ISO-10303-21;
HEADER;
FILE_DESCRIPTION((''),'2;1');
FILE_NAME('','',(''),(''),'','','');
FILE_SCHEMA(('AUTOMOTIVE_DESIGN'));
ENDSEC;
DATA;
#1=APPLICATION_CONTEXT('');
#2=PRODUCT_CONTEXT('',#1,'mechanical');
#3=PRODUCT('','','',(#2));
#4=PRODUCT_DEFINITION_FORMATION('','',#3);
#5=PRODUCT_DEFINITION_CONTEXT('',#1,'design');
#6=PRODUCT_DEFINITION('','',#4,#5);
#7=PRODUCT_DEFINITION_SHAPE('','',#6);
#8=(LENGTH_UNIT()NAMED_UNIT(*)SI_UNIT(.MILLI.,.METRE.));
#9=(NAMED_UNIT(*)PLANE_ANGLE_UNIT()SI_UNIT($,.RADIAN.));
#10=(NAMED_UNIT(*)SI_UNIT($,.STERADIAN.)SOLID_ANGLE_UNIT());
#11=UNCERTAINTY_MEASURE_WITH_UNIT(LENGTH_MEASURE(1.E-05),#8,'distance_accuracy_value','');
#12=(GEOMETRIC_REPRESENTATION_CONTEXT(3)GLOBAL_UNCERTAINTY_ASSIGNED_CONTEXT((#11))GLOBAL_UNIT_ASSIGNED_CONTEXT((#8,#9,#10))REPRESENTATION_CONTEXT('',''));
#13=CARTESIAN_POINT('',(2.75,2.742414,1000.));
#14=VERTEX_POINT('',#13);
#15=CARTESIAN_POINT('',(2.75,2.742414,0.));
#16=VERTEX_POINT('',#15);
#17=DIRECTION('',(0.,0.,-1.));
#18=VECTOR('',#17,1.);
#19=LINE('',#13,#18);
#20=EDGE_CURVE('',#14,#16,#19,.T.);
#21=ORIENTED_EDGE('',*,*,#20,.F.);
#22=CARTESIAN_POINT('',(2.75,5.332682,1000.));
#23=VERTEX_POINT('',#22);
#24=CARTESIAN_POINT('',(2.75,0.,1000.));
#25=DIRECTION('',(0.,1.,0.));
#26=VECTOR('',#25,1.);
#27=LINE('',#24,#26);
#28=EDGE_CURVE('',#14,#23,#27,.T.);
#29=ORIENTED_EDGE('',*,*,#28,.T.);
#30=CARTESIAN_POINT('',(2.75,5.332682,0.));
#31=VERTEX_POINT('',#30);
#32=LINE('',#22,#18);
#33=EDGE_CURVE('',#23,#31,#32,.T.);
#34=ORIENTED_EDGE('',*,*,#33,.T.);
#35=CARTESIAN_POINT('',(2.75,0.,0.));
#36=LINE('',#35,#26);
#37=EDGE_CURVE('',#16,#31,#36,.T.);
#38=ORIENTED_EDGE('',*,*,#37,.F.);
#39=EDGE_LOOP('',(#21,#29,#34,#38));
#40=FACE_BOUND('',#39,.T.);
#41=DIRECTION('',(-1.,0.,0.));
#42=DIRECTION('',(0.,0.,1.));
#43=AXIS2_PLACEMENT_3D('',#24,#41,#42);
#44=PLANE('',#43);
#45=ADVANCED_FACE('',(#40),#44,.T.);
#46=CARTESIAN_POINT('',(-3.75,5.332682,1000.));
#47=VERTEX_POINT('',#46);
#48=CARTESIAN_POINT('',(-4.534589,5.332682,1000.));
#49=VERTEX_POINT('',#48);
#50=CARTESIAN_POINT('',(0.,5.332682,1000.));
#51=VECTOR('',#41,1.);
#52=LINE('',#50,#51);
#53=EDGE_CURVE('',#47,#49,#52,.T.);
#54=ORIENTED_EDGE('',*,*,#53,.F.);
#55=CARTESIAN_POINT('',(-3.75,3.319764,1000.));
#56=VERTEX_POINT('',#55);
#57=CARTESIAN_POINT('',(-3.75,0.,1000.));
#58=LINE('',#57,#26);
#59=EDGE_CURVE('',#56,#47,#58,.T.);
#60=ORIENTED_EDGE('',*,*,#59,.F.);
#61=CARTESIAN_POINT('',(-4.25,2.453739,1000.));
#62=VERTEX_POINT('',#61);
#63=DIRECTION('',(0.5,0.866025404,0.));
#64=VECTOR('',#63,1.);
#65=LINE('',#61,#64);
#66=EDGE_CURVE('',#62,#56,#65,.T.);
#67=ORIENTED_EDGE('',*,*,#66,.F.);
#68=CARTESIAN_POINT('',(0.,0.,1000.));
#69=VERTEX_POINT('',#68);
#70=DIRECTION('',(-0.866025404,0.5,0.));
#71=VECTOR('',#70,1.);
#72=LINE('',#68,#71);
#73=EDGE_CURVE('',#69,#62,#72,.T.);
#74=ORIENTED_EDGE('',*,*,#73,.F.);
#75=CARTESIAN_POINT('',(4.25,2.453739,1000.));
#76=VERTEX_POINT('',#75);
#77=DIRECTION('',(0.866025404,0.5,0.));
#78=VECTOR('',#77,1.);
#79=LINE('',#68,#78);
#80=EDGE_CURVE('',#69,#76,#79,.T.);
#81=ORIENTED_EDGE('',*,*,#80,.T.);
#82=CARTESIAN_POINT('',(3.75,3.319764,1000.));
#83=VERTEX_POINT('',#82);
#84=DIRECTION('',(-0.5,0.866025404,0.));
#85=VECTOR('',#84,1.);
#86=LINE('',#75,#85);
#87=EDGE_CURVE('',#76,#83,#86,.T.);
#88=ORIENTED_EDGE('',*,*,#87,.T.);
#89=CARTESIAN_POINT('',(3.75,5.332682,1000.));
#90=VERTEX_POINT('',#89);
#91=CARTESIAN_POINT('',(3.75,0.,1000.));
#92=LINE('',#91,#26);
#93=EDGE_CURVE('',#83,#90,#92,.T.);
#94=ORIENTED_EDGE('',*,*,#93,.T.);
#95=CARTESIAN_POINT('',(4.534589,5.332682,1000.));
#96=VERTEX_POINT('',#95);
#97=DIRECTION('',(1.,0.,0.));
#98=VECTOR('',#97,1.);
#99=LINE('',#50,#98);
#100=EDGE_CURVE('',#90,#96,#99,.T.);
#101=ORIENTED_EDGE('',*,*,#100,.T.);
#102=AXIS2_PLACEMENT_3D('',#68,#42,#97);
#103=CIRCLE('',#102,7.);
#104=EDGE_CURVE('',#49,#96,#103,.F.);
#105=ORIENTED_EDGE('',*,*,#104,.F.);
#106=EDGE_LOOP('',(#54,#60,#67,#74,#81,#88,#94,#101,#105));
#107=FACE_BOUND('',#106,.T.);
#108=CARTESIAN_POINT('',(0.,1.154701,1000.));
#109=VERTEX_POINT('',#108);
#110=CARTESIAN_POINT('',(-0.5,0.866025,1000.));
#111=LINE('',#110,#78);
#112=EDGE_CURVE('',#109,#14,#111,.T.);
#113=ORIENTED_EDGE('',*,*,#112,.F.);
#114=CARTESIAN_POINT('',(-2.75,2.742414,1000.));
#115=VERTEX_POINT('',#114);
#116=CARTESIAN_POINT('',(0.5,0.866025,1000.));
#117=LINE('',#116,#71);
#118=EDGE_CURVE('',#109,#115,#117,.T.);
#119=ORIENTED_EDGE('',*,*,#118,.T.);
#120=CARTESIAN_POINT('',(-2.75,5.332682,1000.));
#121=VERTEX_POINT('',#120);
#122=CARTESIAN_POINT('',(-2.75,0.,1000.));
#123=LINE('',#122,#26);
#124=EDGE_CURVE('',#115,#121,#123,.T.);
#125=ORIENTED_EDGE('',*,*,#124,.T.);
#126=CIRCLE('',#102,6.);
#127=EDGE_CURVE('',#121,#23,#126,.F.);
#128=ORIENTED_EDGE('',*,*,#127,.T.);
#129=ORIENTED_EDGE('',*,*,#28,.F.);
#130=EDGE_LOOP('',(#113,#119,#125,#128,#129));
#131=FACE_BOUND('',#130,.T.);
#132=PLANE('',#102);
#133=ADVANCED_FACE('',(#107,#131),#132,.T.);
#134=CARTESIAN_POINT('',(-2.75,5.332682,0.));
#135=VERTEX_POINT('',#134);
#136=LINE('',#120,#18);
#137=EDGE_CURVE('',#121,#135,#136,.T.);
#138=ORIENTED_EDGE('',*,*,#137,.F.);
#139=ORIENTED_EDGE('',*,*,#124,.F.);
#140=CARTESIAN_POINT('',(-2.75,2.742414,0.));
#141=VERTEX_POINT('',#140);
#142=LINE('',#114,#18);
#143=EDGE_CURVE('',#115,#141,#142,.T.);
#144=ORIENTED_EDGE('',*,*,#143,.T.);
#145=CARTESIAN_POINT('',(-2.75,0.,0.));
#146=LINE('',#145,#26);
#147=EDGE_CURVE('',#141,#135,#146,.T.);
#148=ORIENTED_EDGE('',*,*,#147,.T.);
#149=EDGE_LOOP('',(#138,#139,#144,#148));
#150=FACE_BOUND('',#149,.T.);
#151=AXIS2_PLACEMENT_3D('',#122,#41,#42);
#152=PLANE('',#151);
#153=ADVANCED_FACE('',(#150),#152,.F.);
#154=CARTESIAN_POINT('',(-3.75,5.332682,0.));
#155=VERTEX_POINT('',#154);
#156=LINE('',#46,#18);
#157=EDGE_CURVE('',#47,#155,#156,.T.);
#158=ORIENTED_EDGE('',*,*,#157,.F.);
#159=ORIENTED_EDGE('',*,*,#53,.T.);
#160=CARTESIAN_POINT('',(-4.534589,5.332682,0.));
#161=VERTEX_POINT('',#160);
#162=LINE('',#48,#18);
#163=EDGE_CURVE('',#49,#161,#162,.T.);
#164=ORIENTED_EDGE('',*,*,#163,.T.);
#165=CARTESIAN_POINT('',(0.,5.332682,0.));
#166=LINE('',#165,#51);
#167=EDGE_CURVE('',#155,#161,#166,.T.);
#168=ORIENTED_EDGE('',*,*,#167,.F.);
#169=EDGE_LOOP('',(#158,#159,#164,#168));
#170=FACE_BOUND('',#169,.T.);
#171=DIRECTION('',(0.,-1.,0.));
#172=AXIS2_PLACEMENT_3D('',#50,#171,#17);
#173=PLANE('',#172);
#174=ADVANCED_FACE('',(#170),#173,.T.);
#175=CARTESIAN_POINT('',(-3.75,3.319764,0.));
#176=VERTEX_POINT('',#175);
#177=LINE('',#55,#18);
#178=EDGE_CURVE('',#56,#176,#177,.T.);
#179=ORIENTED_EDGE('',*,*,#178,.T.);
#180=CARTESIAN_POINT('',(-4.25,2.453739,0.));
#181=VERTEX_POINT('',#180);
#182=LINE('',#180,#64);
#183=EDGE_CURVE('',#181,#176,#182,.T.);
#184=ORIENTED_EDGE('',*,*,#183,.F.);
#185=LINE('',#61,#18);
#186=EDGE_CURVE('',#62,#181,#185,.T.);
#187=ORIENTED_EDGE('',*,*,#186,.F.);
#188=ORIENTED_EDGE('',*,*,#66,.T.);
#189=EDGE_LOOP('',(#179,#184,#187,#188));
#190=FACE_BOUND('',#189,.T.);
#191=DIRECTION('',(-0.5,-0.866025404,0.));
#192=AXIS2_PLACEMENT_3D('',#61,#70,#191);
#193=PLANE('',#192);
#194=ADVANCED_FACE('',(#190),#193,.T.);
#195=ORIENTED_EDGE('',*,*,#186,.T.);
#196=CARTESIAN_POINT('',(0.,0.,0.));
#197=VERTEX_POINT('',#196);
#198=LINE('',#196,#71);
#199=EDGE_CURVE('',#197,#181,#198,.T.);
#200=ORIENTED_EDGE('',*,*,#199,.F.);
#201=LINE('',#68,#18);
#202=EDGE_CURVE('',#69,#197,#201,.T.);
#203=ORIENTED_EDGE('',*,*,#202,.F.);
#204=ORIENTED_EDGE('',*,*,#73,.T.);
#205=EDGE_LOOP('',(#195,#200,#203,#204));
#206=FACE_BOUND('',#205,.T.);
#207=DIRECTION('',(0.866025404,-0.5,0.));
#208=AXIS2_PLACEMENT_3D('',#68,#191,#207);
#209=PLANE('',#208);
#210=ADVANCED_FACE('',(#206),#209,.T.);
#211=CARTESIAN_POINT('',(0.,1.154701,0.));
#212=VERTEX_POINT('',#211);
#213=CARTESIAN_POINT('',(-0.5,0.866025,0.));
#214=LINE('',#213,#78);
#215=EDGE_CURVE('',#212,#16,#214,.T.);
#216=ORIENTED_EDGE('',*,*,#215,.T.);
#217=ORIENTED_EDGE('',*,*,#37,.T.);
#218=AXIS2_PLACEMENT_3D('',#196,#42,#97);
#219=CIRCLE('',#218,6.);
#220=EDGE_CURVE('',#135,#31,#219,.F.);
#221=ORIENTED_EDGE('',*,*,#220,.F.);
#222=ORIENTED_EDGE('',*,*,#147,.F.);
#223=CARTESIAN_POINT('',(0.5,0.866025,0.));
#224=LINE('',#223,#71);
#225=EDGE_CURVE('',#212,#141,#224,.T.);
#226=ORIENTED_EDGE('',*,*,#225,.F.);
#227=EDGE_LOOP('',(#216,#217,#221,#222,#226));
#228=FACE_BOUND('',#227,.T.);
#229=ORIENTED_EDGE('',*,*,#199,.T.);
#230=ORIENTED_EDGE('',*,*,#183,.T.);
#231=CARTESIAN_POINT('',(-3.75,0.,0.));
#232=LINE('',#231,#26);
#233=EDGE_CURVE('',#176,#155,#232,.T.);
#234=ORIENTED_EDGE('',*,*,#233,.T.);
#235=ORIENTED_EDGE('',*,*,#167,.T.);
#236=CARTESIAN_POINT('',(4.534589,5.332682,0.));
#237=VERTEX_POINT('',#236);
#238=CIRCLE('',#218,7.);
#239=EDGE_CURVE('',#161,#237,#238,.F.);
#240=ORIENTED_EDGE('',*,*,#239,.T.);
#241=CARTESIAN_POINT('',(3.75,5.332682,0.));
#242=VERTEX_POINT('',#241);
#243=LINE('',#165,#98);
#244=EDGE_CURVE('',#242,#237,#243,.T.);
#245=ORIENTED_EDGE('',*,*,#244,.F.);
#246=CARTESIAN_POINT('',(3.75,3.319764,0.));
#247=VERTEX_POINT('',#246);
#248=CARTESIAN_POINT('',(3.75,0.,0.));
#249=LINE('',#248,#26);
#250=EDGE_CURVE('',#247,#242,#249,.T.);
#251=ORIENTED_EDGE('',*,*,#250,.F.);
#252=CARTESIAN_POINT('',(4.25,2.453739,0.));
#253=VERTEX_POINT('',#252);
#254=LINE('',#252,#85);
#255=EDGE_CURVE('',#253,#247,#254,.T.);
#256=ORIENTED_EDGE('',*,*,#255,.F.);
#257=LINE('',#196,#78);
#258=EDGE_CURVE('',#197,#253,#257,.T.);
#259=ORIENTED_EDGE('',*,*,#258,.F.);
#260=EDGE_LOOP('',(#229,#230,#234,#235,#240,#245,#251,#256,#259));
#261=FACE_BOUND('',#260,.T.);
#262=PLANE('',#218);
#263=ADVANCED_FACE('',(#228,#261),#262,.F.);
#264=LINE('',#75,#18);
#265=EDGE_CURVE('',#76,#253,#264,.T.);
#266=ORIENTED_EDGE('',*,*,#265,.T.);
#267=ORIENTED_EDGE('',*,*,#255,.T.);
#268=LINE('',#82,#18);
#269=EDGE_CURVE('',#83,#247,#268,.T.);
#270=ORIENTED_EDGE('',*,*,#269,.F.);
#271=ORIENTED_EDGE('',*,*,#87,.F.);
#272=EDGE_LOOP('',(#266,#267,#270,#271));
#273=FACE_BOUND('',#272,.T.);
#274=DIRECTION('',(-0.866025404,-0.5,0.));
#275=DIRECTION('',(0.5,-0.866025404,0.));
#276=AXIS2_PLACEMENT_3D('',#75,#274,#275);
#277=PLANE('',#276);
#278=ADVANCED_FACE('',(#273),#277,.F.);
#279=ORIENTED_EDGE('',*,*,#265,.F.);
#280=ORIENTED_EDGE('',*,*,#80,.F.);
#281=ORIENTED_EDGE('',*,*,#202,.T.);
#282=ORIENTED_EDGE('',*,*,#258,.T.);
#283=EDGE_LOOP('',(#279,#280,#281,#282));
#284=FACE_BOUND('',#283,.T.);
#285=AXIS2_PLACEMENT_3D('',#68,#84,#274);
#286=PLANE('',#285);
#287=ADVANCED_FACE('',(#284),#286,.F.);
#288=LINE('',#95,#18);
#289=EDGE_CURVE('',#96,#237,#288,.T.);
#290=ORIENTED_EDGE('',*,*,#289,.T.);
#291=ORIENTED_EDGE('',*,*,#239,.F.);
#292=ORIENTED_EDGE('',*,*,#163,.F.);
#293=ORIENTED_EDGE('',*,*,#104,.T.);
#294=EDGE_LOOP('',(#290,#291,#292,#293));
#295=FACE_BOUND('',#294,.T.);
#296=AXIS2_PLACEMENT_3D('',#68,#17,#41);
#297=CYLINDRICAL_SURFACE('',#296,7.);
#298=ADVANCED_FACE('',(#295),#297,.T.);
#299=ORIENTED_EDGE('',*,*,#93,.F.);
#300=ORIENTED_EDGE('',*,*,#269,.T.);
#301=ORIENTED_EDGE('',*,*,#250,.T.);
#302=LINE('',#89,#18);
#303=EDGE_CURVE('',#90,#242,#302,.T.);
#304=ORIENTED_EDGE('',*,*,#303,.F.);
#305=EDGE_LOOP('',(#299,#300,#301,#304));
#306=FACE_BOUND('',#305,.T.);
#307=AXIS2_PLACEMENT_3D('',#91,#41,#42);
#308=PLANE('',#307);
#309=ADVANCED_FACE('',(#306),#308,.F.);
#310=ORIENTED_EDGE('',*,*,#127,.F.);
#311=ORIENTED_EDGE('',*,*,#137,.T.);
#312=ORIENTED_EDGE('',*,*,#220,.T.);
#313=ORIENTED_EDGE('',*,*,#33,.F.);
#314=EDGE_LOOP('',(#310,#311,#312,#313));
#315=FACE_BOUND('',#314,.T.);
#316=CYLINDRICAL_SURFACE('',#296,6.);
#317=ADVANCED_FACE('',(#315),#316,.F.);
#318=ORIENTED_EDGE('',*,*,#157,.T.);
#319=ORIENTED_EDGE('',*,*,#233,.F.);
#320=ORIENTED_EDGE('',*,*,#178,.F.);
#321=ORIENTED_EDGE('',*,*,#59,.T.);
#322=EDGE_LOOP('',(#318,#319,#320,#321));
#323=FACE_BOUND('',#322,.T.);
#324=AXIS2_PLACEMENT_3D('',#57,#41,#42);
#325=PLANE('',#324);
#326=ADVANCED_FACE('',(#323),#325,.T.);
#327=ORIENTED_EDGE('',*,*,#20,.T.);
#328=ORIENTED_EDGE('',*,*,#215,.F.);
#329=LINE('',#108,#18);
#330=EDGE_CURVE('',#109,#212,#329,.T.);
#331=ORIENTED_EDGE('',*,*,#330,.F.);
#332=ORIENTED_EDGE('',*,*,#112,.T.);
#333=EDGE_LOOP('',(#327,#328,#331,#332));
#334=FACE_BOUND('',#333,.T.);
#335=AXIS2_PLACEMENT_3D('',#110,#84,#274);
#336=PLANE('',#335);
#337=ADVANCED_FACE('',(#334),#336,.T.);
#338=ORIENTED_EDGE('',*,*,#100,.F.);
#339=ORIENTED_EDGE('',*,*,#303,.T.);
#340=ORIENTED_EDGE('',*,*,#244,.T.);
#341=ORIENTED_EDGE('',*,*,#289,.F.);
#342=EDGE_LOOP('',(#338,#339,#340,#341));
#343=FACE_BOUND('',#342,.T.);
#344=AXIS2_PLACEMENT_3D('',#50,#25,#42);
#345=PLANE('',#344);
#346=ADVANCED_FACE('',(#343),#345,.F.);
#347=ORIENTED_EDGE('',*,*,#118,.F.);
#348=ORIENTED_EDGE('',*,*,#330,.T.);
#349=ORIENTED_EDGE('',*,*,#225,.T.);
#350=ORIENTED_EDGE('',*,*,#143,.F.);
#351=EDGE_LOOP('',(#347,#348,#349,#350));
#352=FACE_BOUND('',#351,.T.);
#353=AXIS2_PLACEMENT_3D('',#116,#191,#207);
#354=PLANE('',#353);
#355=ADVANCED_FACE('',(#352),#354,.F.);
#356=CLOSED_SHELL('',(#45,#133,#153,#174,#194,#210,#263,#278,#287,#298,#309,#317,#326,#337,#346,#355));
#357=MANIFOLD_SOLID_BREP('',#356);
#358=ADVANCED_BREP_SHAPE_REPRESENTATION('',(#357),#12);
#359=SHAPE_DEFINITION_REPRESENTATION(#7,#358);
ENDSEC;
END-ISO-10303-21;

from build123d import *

# Parameters (mm, degrees)
EXTRUDE_1_DEPTH = 1000


with BuildPart() as part:
    # Эскиз1 → Бобышка-Вытянуть1 (new body)
    with BuildSketch(Plane.XY):
        with BuildLine():
            Line((0, 0), (-4.25, 2.453738644))
            Line((-4.25, 2.453738644), (-3.75, 3.319764048))
            Line((-3.75, 3.319764048), (-3.75, 5.332682252))
            Line((-3.75, 5.332682252), (-4.534589287, 5.332682252))
            ThreePointArc((-4.534589287, 5.332682252), (0, 7), (4.534589287, 5.332682252))
            Line((4.534589287, 5.332682252), (3.75, 5.332682252))
            Line((3.75, 5.332682252), (3.75, 3.319764048))
            Line((3.75, 3.319764048), (4.25, 2.453738644))
            Line((4.25, 2.453738644), (0, 0))
        make_face()
        with BuildLine():
            Line((0, 1.154700538), (-2.75, 2.742413779))
            Line((-2.75, 2.742413779), (-2.75, 5.332682252))
            ThreePointArc((-2.75, 5.332682252), (0, 6), (2.75, 5.332682252))
            Line((2.75, 5.332682252), (2.75, 2.742413779))
            Line((2.75, 2.742413779), (0, 1.154700538))
        make_face(mode=Mode.SUBTRACT)
    extrude(amount=EXTRUDE_1_DEPTH)


solid = part.part
